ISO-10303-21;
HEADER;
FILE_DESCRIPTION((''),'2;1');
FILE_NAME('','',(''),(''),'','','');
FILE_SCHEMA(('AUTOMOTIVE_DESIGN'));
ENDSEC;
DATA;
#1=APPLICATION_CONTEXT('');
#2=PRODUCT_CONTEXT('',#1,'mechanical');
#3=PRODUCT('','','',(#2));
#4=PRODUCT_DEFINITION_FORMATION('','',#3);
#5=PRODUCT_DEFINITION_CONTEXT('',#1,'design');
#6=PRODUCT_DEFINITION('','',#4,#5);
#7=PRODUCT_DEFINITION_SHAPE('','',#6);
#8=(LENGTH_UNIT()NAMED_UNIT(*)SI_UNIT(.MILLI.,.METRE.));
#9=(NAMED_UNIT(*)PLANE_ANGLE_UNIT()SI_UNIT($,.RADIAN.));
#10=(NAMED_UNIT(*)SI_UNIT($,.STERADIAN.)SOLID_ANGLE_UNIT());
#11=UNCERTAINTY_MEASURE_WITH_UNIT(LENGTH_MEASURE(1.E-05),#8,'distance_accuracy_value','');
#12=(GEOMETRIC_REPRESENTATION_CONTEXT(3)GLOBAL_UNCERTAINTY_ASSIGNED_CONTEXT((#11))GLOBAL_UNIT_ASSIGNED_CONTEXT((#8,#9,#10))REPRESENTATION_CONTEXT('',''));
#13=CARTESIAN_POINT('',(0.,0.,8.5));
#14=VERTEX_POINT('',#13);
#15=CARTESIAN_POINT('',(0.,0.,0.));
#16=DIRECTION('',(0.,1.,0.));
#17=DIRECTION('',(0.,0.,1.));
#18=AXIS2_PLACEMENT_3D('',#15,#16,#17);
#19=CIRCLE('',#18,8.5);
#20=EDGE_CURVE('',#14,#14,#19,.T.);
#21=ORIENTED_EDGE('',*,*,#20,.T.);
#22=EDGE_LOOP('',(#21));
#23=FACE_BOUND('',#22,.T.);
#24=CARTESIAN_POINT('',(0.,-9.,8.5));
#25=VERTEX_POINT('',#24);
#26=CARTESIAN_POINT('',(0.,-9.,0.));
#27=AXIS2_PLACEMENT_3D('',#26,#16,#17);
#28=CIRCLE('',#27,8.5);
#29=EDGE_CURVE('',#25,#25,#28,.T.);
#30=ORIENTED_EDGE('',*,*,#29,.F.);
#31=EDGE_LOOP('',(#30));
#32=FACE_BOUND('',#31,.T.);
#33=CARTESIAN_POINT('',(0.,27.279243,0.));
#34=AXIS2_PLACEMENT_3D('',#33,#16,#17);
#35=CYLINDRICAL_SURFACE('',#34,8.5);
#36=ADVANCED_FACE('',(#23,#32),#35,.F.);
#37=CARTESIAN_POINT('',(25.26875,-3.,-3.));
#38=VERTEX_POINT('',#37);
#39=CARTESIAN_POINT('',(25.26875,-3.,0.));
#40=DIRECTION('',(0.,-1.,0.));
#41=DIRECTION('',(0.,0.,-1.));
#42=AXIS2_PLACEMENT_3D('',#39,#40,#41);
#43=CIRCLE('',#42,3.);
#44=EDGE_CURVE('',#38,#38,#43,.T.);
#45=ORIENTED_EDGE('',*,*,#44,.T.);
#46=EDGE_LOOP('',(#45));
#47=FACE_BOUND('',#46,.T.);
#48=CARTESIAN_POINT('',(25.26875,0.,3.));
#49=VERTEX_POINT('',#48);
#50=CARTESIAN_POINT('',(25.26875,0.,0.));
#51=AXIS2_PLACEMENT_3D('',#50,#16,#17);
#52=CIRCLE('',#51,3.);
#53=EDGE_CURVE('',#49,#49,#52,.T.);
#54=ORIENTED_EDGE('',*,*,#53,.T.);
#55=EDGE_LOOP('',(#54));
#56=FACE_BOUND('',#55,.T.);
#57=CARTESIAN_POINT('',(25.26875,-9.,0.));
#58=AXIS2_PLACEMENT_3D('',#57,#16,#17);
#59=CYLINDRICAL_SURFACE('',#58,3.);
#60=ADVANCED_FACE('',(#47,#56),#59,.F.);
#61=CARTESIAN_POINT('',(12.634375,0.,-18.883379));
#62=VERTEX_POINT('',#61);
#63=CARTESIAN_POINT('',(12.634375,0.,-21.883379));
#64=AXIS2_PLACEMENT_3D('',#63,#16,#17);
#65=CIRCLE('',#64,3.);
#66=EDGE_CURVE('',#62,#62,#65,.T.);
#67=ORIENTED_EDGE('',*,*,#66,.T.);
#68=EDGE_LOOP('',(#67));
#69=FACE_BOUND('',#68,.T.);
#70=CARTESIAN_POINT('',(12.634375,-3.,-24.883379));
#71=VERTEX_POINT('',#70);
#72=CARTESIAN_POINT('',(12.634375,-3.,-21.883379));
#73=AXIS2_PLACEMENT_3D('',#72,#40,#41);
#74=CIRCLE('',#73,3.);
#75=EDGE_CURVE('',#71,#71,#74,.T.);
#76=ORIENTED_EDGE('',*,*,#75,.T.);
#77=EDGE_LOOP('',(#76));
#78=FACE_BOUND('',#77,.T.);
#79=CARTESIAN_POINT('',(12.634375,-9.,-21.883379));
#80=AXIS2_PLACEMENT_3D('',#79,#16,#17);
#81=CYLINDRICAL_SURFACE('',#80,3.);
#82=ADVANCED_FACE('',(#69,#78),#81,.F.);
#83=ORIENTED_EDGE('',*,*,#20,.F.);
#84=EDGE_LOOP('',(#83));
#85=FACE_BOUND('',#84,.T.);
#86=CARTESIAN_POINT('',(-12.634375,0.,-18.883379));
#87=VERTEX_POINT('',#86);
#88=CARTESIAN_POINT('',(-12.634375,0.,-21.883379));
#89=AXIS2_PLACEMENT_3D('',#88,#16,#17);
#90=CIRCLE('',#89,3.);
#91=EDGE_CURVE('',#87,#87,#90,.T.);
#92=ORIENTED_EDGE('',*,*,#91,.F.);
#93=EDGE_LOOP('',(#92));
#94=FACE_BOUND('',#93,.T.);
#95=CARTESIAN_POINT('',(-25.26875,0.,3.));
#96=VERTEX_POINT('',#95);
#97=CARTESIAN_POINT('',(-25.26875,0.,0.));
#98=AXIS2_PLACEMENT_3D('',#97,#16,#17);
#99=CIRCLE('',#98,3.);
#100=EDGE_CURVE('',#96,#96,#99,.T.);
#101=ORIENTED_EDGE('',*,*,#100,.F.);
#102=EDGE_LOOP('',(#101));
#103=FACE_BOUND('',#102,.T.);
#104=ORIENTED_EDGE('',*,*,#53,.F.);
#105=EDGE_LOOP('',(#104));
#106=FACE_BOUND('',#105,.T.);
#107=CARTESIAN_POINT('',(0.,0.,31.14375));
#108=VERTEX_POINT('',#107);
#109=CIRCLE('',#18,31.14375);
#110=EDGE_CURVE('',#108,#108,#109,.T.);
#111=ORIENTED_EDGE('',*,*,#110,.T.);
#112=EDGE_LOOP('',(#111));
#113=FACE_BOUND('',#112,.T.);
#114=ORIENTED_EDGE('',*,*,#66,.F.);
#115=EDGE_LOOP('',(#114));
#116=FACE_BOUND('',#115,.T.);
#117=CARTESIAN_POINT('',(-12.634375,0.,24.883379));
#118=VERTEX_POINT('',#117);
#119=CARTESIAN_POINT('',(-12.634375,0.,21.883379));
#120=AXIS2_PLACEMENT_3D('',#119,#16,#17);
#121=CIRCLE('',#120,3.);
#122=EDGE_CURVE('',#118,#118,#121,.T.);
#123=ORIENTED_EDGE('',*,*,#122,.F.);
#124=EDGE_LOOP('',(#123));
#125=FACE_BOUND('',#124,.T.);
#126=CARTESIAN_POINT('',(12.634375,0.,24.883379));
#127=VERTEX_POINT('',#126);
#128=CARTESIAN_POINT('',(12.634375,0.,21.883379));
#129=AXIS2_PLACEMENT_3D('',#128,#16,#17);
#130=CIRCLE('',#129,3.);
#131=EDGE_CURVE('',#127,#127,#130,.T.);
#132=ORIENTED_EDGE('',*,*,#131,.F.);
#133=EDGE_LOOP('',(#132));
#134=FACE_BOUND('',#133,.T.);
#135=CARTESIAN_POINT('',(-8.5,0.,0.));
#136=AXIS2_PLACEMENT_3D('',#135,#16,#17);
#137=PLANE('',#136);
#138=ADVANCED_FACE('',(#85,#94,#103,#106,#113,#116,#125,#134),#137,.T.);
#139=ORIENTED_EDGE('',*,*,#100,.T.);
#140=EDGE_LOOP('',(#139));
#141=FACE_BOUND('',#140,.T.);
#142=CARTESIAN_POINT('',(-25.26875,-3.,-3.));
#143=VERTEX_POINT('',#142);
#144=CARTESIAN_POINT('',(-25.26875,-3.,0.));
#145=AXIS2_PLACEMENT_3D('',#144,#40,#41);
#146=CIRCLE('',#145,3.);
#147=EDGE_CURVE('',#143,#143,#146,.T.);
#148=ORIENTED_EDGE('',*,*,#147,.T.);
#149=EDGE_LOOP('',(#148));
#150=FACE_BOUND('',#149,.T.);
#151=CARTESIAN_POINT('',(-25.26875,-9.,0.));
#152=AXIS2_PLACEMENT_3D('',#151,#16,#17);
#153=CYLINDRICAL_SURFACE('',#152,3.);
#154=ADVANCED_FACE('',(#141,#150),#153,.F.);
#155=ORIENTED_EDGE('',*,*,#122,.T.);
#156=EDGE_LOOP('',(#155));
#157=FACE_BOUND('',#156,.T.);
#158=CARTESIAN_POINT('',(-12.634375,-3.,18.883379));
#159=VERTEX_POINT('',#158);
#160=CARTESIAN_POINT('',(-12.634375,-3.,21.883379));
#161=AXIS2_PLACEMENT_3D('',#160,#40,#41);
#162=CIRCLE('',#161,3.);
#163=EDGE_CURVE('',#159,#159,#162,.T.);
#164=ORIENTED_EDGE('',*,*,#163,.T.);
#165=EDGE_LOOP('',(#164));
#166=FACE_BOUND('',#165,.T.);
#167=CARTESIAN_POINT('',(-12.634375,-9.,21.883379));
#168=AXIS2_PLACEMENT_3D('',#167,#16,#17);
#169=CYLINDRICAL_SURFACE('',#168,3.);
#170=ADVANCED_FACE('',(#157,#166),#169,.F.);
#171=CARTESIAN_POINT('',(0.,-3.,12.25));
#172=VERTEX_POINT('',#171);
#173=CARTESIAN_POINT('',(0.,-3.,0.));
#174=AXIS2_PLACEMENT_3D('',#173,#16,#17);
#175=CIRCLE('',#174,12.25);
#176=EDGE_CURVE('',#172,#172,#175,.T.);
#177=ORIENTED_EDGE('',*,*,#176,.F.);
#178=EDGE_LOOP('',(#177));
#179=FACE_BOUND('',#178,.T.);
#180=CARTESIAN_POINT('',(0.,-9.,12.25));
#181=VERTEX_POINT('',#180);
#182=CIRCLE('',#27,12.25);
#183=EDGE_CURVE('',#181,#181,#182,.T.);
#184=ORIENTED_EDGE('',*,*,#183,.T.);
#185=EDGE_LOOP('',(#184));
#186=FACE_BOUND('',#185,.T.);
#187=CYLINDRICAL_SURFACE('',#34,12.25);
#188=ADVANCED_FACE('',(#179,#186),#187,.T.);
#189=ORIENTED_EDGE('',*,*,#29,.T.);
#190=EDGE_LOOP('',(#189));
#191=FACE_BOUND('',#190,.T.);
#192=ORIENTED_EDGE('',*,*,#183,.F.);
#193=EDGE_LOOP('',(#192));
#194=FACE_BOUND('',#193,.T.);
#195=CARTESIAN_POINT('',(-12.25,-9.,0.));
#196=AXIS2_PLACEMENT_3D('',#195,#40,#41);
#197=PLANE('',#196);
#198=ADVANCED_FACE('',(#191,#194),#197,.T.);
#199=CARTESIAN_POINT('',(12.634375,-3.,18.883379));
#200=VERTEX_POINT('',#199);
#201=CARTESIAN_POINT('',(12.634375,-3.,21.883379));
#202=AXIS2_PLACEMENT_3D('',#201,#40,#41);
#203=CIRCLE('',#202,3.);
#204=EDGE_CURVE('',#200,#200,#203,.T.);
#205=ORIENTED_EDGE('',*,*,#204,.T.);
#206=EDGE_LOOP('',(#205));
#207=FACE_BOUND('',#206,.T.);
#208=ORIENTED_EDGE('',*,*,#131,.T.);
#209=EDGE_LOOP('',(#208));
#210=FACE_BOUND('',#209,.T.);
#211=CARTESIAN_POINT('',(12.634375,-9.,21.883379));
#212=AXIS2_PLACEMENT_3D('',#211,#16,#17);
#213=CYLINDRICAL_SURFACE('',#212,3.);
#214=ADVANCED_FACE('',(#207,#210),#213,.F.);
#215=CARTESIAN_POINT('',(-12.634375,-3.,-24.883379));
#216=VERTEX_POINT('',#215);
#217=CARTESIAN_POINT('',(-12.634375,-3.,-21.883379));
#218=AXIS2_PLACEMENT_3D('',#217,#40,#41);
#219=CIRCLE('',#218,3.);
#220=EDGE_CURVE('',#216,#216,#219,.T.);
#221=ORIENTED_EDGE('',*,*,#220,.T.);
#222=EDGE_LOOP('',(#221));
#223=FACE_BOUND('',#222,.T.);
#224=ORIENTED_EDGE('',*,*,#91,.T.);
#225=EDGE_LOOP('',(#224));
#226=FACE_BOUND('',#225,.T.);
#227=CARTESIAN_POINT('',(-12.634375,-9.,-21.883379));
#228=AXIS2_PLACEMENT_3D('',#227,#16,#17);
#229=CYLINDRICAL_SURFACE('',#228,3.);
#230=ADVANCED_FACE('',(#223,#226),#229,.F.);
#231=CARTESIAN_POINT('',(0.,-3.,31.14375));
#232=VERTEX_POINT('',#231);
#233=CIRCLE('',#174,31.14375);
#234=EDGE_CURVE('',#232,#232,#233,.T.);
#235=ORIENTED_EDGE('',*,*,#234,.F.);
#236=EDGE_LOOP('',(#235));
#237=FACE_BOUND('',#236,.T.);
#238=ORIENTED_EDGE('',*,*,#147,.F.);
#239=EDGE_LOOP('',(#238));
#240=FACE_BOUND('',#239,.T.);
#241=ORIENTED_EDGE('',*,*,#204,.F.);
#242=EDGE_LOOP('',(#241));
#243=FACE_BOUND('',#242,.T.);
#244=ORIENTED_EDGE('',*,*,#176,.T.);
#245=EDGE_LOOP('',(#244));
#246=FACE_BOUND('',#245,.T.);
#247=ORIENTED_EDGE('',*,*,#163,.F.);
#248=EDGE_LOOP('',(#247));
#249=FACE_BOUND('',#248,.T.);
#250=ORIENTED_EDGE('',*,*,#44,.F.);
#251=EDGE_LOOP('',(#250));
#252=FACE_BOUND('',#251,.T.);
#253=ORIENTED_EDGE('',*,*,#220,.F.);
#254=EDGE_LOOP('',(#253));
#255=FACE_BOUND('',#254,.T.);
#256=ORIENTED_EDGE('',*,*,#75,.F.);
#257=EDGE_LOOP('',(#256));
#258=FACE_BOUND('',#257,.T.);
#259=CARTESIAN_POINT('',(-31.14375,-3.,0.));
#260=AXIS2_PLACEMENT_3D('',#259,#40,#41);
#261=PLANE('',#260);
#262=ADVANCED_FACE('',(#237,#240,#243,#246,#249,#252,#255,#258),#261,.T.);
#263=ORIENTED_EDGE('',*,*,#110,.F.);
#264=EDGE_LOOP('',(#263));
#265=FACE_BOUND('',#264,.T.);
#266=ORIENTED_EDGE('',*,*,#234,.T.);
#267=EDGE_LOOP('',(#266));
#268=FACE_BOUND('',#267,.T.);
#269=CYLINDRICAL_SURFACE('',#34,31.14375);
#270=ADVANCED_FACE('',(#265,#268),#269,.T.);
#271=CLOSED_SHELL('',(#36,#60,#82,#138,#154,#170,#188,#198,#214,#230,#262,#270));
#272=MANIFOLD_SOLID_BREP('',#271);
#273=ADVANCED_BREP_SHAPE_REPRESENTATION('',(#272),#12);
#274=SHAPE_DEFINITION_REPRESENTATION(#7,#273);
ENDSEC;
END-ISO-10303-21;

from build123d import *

# Parameters (mm, degrees)
SKETCH5_R          = 3
CUT_EXTRUDE1_DEPTH = 45.954046849


with BuildPart() as part:
    # Sketch4 → Revolve1 (revolve)
    with BuildSketch(Plane.XY, mode=Mode.PRIVATE) as revolve1_sk:
        Polygon((-8.5, 0), (-31.14375, 0), (-31.14375, -3), (-12.25, -3), (-12.25, -9), (-8.5, -9), align=None)
    revolve(revolve1_sk.sketch.rotate(Axis((0, 27.279243053, 0), (0, -1, 0)), 270), axis=Axis((0, 27.279243053, 0), (0, -1, 0)))

    # Sketch5 → Cut-Extrude1 (cut, through all)
    with BuildSketch(Plane(origin=(0, 0, 0), x_dir=(1, 0, 0), z_dir=(0, 1, 0))):
        with Locations(Location((-25.26875, 0, 0), (0, 0, 270))):
            Circle(SKETCH5_R)
        with Locations(Location((-12.634375, 21.883379422, 0), (0, 0, 270))):
            Circle(SKETCH5_R)
        with Locations(Location((12.634375, 21.883379422, 0), (0, 0, 270))):
            Circle(SKETCH5_R)
        with Locations(Location((25.26875, 0, 0), (0, 0, 270))):
            Circle(SKETCH5_R)
        with Locations(Location((12.634375, -21.883379422, 0), (0, 0, 270))):
            Circle(SKETCH5_R)
        with Locations(Location((-12.634375, -21.883379422, 0), (0, 0, 270))):
            Circle(SKETCH5_R)
    extrude(amount=-CUT_EXTRUDE1_DEPTH, mode=Mode.SUBTRACT)


solid = part.part
